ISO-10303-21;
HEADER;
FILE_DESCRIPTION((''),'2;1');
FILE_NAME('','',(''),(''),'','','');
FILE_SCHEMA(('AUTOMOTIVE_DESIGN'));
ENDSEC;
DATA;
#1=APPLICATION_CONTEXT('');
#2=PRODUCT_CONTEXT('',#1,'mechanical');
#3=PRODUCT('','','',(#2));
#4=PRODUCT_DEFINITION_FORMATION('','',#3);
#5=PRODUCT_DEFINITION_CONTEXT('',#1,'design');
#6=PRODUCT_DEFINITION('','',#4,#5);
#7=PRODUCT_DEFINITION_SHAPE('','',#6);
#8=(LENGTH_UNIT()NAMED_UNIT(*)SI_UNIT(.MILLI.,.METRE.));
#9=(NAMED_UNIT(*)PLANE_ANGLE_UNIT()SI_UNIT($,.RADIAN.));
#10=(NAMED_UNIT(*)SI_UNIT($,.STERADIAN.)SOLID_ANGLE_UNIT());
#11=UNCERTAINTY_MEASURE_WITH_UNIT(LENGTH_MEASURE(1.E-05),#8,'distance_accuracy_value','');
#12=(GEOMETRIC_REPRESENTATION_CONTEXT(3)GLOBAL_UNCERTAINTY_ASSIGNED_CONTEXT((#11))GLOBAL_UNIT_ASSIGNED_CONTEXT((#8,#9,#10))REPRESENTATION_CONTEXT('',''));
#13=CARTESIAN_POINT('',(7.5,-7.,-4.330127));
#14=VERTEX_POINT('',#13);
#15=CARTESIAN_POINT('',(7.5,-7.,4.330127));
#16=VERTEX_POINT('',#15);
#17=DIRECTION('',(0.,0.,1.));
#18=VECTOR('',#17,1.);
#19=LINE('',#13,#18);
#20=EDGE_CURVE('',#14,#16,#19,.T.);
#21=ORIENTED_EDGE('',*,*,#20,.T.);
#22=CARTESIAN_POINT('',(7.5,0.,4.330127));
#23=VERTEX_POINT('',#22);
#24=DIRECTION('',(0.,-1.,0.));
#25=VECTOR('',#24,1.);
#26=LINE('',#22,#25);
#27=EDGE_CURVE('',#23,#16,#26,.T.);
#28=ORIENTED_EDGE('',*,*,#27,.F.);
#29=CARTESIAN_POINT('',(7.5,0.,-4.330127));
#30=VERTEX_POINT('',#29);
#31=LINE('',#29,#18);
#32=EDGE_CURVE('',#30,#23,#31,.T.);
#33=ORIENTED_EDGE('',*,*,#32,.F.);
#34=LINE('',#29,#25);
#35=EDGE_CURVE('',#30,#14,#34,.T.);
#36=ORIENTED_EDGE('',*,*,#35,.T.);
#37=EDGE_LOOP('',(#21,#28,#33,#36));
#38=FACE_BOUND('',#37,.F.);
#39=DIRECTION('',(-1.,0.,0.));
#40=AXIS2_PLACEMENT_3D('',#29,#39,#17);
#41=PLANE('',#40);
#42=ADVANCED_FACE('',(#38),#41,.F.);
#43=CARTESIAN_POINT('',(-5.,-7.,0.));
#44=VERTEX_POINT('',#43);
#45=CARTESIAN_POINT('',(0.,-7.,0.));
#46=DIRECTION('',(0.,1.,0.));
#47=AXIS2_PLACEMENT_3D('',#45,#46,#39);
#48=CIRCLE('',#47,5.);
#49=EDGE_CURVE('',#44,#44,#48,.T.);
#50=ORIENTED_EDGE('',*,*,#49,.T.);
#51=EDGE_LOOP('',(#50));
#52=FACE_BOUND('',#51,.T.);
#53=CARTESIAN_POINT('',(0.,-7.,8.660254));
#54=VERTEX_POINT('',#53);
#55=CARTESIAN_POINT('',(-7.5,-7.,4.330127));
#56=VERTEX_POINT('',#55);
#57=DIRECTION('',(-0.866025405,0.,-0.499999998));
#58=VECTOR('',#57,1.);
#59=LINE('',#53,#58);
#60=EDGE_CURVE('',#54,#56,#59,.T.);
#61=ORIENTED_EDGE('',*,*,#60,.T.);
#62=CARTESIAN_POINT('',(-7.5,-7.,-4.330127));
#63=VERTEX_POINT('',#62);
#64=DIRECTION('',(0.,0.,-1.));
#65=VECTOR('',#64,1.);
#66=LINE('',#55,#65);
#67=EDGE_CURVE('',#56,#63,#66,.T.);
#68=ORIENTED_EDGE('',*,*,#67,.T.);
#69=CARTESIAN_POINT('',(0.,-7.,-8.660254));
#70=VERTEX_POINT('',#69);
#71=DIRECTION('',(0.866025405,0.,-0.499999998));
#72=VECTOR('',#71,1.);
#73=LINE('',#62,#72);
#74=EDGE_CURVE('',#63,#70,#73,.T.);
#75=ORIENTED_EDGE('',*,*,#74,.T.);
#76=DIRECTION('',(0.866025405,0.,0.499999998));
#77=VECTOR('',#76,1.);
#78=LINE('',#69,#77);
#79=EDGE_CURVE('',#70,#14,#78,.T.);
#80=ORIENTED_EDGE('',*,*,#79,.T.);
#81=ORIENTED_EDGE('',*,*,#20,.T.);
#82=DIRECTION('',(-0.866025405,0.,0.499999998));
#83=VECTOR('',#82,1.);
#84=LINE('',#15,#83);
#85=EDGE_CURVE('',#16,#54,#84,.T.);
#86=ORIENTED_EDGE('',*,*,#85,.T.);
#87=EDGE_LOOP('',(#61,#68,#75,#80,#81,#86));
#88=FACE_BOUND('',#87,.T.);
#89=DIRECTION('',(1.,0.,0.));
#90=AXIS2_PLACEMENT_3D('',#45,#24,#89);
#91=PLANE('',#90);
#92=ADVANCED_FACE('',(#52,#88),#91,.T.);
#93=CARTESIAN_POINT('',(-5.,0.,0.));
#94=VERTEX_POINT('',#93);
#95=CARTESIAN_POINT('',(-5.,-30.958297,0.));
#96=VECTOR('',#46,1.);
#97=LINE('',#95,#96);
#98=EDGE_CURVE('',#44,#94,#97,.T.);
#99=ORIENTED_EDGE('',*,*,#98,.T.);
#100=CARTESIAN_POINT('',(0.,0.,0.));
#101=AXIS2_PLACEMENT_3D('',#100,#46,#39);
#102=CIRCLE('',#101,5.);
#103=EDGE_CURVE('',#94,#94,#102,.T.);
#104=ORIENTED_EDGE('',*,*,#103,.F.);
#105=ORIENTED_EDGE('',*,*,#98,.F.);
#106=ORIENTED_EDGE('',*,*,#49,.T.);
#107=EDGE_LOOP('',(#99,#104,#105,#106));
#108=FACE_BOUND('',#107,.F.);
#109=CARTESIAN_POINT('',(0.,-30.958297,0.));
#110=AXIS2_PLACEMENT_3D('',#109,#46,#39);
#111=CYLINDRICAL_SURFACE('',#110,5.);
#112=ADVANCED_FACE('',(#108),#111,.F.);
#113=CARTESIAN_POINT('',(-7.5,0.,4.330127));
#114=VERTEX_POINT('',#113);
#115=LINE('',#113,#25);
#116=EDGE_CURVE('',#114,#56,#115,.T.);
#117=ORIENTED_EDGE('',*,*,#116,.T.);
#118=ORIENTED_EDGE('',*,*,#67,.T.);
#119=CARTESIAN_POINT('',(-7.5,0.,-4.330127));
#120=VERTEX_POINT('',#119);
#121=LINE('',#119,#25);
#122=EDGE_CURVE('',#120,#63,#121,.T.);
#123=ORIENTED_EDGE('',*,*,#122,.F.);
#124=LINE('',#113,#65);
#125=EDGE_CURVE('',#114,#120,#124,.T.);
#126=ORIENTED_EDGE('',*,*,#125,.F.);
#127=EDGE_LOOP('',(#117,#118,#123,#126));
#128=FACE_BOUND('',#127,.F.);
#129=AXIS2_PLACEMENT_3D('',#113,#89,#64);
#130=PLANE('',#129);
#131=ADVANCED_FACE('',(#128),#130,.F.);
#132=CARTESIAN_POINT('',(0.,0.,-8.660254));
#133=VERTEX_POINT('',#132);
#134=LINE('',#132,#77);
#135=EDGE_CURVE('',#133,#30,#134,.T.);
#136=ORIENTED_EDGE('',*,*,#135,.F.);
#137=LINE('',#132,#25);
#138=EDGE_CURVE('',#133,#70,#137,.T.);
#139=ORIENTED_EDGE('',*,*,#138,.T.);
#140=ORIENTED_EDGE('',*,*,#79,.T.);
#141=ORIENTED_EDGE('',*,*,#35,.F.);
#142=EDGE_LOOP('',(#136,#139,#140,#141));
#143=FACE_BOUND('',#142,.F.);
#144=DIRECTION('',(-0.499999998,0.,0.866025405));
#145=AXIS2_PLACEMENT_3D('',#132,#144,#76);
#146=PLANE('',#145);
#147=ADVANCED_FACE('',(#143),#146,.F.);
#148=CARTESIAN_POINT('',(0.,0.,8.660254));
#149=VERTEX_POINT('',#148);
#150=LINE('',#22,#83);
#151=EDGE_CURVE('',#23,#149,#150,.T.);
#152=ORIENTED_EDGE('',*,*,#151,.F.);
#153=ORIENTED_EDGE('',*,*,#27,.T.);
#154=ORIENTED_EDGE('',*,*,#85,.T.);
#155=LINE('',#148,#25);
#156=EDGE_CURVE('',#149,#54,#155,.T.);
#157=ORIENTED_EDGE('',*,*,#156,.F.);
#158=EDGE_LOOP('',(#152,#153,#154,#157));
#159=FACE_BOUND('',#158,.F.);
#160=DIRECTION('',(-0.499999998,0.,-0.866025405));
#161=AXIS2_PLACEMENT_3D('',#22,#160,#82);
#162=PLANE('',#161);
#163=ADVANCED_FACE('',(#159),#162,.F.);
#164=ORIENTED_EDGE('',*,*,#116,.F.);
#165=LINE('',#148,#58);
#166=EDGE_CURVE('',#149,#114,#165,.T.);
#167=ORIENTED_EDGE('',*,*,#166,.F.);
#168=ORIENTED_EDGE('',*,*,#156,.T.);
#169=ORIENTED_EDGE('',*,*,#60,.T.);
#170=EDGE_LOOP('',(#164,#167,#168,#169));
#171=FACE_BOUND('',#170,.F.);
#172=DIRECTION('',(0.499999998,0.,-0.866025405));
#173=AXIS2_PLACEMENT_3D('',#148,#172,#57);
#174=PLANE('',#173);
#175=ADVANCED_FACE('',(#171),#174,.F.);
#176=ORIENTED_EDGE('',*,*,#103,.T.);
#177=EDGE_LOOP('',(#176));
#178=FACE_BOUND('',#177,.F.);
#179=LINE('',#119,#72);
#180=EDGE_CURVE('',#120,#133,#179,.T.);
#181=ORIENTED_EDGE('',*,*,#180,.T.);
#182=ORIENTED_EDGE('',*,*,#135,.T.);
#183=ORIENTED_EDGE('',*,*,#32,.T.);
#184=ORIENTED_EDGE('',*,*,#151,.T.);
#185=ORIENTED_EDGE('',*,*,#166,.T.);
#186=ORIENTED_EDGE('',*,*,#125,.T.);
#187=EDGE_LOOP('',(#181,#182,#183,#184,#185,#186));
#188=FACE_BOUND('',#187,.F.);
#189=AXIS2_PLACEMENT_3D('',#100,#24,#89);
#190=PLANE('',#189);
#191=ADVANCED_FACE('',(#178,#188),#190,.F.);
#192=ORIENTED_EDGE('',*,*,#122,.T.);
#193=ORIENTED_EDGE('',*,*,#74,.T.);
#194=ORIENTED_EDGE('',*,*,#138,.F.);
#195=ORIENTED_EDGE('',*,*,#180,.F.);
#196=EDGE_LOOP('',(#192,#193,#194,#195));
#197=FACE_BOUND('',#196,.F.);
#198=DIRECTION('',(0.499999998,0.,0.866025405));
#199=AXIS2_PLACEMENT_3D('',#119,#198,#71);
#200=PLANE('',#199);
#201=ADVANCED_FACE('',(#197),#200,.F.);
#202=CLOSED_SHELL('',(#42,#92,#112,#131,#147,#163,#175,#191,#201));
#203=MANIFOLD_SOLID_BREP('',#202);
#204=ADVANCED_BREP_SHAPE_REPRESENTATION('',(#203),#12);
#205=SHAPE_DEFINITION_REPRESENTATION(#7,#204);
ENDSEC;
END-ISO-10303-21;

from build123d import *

# Parameters (mm, degrees)
F1_DEPTH = 7
F3_D     = 10


with BuildPart() as f1:
    # F0 (on Front) → F1 (new body)
    with BuildSketch(Plane.XZ):
        Polygon((7.5, -4.330127), (7.5, 4.330127), (0, 8.660254), (-7.5, 4.330127), (-7.5, -4.330127), (0, -8.660254), align=None)
    extrude(amount=F1_DEPTH)

    # F3 (through all)
    with Locations(Plane.XZ.offset(7)):
        with Locations((0, 0)):
            Hole(F3_D / 2)


solid = f1.part
